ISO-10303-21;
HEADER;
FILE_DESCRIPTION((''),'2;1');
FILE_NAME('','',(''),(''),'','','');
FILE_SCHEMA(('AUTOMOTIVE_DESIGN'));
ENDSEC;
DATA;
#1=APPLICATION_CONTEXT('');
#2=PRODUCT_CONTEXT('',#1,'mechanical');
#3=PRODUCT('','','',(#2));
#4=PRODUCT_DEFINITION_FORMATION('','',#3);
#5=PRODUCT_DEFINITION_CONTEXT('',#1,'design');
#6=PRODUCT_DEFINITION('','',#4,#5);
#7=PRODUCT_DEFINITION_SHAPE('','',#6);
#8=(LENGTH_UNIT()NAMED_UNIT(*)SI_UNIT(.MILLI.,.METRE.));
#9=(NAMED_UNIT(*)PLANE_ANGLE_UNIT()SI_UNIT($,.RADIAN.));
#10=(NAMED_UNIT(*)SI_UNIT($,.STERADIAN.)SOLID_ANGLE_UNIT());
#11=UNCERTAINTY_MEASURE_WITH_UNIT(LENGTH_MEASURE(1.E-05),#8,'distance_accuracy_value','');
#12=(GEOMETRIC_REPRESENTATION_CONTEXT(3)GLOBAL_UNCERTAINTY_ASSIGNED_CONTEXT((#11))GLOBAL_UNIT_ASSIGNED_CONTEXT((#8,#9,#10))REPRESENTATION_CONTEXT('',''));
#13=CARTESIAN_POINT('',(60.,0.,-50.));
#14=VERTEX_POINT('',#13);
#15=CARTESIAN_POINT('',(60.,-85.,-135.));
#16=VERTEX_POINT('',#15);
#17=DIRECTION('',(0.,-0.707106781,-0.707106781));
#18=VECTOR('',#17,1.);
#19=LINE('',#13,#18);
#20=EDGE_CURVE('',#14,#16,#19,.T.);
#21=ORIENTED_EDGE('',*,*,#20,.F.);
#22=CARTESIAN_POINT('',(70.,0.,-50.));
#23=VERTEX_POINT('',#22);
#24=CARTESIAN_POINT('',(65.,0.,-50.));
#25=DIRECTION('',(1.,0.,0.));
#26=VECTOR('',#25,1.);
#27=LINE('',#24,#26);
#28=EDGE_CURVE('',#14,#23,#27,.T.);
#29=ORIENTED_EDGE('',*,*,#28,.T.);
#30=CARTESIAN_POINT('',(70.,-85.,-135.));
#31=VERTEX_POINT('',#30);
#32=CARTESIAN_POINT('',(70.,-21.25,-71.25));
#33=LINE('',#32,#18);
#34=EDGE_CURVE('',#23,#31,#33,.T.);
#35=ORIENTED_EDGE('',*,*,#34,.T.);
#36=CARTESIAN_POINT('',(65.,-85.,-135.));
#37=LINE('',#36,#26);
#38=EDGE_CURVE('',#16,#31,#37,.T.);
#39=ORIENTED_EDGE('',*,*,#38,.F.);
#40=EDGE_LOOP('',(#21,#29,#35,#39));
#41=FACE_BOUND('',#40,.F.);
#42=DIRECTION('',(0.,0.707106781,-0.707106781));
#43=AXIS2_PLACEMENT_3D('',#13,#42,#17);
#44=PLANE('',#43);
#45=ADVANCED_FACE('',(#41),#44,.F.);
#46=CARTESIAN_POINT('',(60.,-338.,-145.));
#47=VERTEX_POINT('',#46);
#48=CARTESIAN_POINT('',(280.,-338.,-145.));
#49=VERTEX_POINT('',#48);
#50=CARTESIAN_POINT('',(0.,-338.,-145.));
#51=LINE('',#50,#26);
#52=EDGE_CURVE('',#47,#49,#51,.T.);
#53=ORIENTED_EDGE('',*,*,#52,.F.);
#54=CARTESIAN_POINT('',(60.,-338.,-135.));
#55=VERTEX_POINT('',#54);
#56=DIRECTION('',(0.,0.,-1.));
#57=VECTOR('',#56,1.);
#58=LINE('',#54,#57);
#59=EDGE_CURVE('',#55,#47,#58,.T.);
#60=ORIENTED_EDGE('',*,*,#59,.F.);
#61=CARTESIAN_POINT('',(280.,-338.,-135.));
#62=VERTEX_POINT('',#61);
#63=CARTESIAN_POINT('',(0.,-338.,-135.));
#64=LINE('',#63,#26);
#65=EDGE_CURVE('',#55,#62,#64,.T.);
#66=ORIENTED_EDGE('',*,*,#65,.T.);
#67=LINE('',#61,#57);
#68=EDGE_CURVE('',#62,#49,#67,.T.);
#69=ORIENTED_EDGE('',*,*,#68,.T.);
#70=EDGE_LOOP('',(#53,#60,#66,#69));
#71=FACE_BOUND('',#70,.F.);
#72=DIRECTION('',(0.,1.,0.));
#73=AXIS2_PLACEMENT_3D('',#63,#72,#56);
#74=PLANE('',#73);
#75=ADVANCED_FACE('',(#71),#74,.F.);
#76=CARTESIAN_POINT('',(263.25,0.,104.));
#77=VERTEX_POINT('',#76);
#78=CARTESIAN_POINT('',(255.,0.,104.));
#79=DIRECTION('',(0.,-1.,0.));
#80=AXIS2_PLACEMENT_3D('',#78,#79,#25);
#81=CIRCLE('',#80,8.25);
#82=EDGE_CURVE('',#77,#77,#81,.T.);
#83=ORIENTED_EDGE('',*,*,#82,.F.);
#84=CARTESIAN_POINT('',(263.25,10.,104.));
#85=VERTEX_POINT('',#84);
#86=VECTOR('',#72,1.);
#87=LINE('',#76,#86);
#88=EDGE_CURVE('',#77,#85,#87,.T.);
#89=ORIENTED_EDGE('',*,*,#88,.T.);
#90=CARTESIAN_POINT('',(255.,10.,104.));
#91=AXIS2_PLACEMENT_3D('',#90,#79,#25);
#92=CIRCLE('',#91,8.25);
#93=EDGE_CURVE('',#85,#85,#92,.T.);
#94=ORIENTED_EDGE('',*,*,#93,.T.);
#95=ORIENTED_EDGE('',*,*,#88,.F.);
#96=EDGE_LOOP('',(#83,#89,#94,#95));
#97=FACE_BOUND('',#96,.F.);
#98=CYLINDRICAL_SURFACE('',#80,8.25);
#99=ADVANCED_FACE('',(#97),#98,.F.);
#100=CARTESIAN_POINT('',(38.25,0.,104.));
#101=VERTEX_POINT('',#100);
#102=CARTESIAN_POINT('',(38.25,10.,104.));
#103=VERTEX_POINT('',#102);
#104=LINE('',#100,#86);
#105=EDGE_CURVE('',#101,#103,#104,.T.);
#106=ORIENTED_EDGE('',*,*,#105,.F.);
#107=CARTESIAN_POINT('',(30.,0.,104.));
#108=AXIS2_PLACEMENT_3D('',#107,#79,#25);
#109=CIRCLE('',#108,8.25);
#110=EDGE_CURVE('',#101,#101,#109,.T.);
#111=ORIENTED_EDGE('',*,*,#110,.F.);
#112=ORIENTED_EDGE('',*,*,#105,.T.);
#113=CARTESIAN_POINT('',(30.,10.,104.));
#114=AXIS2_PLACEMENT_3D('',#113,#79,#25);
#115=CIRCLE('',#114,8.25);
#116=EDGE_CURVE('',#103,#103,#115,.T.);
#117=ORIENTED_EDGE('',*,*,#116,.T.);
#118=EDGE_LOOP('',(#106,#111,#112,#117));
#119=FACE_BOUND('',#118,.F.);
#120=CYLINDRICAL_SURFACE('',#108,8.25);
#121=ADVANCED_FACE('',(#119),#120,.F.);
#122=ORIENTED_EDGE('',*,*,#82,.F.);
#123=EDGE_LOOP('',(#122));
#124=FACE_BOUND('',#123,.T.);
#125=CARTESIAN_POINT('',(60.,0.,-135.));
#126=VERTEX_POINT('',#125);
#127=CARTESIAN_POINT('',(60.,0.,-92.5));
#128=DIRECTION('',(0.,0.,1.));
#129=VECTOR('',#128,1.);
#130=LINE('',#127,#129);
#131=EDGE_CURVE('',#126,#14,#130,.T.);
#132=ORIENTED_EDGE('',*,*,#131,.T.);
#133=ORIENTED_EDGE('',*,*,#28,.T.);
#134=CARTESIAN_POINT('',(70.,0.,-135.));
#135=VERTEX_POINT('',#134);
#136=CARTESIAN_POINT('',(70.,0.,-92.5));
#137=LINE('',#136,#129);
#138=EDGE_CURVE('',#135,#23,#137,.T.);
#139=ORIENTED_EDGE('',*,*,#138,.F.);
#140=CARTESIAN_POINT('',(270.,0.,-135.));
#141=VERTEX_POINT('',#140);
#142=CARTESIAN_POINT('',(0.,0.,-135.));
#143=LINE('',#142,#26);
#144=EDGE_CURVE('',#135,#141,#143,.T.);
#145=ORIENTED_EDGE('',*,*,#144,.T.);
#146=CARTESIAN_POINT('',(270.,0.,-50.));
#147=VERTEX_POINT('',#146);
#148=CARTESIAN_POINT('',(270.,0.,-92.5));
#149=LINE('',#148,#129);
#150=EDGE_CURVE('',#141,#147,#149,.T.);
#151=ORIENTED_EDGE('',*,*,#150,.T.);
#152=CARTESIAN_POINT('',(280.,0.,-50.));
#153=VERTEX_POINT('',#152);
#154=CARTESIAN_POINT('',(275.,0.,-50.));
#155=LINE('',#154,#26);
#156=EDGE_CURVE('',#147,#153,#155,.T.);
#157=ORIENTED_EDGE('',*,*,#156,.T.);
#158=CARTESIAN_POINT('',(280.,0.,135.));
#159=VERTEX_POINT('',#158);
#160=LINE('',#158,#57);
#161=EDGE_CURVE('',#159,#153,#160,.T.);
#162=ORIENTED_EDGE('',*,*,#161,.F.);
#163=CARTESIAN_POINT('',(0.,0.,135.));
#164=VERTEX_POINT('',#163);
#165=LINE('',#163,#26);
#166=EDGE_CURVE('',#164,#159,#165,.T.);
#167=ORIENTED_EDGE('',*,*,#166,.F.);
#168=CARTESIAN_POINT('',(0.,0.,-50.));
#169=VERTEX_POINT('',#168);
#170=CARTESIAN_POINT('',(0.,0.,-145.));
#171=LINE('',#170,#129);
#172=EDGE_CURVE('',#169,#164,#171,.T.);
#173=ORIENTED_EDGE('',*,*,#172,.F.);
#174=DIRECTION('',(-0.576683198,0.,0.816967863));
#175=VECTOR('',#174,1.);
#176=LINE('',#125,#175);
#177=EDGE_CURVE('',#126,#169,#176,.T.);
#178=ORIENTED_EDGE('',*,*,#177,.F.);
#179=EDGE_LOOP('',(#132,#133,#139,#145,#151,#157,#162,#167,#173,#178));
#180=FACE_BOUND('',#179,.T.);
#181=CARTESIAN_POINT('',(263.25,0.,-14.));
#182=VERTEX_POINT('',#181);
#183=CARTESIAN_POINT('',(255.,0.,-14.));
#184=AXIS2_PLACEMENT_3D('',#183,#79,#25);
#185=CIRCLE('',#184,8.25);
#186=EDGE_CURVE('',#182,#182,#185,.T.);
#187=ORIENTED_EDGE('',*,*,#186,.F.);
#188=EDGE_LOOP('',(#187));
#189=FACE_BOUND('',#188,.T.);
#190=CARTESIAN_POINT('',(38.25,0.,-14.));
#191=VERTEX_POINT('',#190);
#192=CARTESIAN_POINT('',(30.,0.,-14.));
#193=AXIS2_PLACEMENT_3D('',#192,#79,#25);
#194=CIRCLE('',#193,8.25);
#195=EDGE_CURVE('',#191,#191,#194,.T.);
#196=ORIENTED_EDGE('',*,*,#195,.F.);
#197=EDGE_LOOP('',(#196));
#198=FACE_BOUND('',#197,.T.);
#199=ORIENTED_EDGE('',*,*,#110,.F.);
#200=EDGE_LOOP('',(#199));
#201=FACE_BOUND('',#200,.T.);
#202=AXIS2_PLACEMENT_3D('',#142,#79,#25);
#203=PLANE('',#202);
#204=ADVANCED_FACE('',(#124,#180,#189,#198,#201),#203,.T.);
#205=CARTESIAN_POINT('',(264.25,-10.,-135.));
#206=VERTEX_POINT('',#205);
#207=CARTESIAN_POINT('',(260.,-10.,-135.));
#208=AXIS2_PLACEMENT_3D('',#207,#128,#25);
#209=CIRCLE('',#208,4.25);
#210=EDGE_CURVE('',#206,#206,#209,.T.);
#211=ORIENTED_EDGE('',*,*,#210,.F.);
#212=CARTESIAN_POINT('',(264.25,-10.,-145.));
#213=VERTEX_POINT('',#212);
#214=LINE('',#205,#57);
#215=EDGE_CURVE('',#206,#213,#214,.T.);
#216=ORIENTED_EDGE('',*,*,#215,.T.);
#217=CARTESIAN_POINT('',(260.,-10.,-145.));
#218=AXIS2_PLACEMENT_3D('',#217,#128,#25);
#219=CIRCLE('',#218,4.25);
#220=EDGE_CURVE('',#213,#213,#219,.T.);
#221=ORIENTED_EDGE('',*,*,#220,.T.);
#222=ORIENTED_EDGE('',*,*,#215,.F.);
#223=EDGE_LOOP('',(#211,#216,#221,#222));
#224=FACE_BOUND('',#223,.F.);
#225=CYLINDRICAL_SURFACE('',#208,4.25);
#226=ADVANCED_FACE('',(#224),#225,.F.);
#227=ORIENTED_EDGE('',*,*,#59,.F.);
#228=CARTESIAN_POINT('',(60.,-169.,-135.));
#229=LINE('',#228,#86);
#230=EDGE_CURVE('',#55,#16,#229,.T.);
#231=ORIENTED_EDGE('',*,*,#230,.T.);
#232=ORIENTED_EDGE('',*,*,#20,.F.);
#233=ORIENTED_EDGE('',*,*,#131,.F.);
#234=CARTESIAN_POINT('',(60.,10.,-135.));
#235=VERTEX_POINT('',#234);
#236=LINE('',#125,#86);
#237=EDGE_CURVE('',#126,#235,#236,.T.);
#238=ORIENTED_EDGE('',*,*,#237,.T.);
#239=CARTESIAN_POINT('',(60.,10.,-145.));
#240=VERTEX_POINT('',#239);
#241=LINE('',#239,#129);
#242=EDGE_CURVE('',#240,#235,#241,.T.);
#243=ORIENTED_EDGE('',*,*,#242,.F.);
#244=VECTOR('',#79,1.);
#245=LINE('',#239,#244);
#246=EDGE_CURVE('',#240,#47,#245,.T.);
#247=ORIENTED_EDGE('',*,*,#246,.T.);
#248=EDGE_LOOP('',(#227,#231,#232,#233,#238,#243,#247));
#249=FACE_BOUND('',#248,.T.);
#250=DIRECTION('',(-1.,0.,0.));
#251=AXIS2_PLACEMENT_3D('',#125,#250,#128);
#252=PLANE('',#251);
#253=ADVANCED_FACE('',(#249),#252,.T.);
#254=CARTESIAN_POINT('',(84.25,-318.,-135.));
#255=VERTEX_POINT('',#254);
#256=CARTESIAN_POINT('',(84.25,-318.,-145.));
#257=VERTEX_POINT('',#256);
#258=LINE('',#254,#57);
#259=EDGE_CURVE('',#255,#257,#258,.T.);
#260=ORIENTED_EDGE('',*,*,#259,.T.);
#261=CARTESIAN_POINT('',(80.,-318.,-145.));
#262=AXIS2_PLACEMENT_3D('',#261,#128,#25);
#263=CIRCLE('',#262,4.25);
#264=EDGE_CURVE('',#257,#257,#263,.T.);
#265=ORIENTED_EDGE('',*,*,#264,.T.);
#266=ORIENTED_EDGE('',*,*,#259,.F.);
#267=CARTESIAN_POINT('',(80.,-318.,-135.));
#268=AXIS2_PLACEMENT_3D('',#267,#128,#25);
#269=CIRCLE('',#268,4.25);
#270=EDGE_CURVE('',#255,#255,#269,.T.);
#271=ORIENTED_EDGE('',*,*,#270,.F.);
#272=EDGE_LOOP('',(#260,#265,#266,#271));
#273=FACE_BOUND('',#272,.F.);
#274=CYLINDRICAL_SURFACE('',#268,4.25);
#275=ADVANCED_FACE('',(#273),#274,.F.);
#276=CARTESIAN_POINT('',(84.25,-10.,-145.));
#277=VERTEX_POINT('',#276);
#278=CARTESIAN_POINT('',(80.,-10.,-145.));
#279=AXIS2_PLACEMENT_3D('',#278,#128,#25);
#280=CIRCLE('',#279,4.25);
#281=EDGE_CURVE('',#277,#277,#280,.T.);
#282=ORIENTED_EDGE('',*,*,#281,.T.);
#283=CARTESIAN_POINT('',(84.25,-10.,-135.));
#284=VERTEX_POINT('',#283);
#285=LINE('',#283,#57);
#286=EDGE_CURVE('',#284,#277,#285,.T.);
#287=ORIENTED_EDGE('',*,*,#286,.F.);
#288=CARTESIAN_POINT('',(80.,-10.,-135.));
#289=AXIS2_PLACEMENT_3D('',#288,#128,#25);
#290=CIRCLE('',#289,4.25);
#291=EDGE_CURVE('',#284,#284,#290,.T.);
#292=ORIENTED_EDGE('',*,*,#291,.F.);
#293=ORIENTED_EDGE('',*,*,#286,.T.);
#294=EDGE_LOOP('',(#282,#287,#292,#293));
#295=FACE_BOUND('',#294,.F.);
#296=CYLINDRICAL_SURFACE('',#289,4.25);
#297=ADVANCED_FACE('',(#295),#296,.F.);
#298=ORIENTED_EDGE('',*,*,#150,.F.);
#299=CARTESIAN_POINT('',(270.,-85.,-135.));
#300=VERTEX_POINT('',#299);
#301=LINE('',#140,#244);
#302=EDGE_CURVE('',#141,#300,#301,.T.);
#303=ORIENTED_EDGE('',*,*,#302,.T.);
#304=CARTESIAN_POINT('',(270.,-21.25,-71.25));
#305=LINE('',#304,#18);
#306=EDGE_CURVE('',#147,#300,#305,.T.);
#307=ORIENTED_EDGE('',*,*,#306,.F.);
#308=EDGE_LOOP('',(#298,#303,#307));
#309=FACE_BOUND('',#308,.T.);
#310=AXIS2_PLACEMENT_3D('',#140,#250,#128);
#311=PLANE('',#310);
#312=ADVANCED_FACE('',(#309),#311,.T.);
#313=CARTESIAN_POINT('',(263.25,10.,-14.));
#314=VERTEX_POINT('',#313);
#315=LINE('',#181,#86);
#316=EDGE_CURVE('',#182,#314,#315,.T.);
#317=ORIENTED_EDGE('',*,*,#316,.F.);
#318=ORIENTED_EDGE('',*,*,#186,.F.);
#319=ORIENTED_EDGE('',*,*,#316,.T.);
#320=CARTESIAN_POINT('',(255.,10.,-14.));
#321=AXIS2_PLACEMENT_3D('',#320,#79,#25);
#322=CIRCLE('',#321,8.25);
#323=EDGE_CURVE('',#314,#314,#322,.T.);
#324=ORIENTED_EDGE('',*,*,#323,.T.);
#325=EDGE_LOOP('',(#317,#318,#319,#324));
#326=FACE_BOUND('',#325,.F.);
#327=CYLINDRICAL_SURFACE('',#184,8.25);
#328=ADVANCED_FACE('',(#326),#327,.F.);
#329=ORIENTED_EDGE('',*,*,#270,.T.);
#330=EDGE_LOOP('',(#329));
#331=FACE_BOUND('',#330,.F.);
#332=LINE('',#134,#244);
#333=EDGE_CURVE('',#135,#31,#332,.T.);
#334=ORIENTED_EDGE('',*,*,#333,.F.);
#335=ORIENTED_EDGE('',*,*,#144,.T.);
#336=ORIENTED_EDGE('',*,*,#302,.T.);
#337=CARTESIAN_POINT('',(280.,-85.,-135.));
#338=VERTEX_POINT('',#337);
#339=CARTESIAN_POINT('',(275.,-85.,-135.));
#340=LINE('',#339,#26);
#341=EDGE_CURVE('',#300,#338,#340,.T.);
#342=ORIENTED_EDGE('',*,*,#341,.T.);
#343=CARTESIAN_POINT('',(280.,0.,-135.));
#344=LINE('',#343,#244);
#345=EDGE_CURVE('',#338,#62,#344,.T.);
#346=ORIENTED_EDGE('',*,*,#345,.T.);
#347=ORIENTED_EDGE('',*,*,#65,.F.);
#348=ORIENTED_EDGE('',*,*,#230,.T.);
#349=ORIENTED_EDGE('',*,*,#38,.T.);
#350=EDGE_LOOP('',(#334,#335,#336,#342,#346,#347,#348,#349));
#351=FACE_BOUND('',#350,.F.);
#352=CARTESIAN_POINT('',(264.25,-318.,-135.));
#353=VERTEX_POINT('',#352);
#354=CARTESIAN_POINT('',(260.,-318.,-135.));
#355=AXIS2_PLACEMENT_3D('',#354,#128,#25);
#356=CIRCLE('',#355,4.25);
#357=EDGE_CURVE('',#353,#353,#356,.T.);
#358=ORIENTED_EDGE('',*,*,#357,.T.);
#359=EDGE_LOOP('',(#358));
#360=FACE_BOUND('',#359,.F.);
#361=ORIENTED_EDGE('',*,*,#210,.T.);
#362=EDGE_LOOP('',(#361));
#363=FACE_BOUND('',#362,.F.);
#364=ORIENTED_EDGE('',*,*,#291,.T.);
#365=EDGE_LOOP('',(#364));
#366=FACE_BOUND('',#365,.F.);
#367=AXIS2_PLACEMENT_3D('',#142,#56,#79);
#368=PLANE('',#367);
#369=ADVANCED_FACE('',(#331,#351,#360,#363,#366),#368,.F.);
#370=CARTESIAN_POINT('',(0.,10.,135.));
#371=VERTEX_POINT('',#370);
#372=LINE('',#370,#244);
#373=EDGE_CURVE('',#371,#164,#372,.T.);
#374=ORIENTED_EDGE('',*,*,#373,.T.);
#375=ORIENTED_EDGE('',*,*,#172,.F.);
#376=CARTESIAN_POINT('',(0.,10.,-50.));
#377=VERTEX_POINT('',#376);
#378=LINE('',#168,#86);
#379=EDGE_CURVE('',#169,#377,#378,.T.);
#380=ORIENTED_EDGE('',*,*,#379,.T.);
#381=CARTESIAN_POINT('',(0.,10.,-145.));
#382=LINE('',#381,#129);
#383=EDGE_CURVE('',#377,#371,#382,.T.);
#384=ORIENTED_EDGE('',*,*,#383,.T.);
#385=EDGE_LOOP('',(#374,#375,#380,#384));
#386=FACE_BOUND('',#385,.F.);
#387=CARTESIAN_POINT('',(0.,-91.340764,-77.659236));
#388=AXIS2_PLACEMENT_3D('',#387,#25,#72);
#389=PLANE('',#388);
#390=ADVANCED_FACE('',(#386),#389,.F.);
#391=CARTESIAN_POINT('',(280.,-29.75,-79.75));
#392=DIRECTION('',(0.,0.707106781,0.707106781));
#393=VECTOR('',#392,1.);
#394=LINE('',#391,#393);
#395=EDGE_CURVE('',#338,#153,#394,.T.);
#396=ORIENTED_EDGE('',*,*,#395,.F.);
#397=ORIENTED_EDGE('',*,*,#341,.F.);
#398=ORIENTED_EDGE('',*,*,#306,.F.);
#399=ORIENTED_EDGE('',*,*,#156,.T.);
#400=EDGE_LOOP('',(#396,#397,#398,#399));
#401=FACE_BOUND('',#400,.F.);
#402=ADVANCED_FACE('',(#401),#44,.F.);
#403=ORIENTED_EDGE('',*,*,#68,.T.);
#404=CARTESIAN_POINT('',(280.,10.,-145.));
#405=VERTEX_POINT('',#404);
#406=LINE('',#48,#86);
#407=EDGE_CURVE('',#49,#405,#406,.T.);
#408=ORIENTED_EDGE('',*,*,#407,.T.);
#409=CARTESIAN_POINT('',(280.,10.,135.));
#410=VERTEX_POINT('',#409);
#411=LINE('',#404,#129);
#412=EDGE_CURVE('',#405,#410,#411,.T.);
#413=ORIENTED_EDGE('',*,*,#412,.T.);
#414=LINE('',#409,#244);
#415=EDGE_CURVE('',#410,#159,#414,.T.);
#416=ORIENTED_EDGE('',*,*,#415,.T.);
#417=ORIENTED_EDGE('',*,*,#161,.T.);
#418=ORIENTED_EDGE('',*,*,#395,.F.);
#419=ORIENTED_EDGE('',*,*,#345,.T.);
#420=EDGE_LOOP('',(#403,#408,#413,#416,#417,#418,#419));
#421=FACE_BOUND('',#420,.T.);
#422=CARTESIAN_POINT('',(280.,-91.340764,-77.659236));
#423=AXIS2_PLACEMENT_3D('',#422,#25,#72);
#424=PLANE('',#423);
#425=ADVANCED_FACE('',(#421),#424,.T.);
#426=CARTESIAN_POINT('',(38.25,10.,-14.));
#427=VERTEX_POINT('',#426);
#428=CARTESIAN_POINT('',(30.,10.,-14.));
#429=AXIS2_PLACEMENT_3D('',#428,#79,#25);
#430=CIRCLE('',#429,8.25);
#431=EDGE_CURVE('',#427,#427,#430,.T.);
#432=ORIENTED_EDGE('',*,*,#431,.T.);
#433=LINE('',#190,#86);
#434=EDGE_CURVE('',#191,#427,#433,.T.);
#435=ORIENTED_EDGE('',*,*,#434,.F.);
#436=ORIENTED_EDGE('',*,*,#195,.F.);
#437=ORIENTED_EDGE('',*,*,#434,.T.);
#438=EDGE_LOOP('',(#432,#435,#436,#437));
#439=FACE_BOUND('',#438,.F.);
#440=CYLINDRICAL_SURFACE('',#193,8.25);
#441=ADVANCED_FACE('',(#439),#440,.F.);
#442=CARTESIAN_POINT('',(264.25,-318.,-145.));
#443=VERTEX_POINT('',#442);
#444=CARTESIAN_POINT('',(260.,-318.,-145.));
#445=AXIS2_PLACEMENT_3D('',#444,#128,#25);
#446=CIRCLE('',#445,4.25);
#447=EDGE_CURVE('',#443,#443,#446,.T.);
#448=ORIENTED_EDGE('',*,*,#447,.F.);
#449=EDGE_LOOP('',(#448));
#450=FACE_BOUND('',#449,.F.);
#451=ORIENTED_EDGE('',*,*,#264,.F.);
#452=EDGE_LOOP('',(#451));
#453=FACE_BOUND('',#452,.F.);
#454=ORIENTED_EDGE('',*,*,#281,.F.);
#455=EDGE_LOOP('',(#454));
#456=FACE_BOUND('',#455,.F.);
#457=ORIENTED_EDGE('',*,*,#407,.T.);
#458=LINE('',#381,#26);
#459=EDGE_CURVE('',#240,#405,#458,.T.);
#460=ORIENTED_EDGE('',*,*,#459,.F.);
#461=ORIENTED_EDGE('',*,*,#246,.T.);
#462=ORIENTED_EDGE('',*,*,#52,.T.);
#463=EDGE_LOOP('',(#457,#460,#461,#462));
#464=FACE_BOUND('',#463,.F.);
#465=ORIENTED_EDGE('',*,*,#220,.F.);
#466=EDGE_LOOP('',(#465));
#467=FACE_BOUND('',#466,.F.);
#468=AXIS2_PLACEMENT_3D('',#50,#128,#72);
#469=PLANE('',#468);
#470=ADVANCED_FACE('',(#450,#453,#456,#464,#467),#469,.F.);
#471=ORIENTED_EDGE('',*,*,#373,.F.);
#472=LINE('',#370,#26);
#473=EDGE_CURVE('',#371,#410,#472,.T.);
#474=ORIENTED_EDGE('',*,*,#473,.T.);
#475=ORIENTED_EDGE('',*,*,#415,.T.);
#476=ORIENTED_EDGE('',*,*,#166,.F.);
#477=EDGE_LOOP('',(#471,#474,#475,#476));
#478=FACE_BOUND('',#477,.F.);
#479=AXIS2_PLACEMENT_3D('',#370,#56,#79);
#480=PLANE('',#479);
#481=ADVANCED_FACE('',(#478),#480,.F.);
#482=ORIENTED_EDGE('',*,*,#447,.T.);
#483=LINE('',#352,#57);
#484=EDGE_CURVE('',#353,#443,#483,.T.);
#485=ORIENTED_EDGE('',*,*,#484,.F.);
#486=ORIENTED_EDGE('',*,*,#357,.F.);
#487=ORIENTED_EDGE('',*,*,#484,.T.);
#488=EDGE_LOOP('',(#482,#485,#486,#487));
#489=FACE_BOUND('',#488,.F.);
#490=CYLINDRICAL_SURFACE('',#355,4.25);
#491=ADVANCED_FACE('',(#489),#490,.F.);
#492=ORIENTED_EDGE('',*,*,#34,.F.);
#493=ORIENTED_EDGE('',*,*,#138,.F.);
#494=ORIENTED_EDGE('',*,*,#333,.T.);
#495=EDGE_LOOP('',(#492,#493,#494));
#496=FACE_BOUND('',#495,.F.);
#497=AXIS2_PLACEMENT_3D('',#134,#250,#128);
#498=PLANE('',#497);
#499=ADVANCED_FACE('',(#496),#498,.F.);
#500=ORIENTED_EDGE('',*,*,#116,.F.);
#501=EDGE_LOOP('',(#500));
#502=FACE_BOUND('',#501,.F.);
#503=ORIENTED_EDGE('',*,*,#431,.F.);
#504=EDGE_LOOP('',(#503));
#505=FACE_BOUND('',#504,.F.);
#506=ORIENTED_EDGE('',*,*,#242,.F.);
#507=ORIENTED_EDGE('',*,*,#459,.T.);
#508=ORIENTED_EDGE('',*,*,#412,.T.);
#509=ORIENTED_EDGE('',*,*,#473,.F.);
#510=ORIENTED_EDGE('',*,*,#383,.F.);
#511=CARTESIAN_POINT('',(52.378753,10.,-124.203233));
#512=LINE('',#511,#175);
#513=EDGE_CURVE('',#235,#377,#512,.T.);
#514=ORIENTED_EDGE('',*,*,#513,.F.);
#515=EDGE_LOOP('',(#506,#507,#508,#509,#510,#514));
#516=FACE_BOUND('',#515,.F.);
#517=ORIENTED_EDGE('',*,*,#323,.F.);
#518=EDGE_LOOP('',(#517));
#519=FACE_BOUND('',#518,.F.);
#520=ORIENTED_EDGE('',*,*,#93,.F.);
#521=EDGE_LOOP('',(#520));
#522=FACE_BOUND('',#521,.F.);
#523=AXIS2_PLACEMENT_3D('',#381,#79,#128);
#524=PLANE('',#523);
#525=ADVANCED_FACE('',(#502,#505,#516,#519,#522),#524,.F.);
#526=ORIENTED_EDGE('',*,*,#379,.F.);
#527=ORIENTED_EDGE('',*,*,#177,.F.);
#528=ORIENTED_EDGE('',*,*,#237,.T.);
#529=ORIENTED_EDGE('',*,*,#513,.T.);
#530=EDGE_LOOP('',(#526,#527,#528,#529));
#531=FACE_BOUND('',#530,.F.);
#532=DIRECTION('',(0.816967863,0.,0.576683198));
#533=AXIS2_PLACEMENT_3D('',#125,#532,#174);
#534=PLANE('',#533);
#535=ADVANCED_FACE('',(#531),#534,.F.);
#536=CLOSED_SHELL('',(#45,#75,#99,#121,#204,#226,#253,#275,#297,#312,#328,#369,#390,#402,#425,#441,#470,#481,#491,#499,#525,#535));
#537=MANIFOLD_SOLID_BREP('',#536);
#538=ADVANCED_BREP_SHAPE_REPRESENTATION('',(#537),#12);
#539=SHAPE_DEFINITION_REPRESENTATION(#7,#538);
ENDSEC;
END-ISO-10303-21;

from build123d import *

# Parameters (mm, degrees)
F1_DEPTH  = 280
F2_W      = 60
F2_H      = 338
F3_DEPTH  = 10.001
F5_DEPTH  = 10.001
F6_R      = 8.25
F7_DEPTH  = 10.001
F8_R      = 4.25
F9_DEPTH  = 10.001
F10_W     = 10
F10_H     = 85
F11_DEPTH = 85
F14_DEPTH = 220.001
F15_DEPTH = 280.001


with BuildPart() as f1:
    # F0 (on Right) → F1 (new body)
    with BuildSketch(Plane.YZ):
        Polygon((10, -145), (10, 135), (0, 135), (0, -135), (-338, -135), (-338, -145), align=None)
    extrude(amount=F1_DEPTH)

    # F2 (on face) → F3 (cut, through all)
    with BuildSketch(Plane.XY.offset(-135)):
        with Locations((30, -169)):
            Rectangle(F2_W, F2_H)
    extrude(amount=-F3_DEPTH, mode=Mode.SUBTRACT)

    # F4 (on face) → F5 (cut, through all)
    with BuildSketch(Plane.XZ):
        Polygon((60, -135), (0, -50), (0, -145), (60, -145), align=None)
    extrude(amount=-F5_DEPTH, mode=Mode.SUBTRACT)

    # F6 (on face) → F7 (cut, through all)
    with BuildSketch(Plane.XZ):
        with Locations((30, 104)):
            Circle(F6_R)
        with Locations((255, 104)):
            Circle(F6_R)
        with Locations((255, -14)):
            Circle(F6_R)
        with Locations((30, -14)):
            Circle(F6_R)
    extrude(amount=-F7_DEPTH, mode=Mode.SUBTRACT)

    # F8 (on face) → F9 (cut, through all)
    with BuildSketch(Plane.XY.offset(-135)):
        with Locations((80, -10)):
            Circle(F8_R)
        with Locations((260, -10)):
            Circle(F8_R)
        with Locations((80, -318)):
            Circle(F8_R)
        with Locations((260, -318)):
            Circle(F8_R)
    extrude(amount=-F9_DEPTH, mode=Mode.SUBTRACT)

    # F10 (on face) → F11 (join)
    with BuildSketch(Plane.XZ):
        with Locations((65, -92.5)):
            Rectangle(F10_W, F10_H)
        with Locations((275, -92.5)):
            Rectangle(F10_W, F10_H)
    extrude(amount=F11_DEPTH)

    # F13 (on face) → F14 (cut, through all)
    with BuildSketch(Plane(origin=(60, 0, 0), x_dir=(0, -1, 0), z_dir=(-1, 0, 0))):
        Polygon((85, -50), (0, -50), (85, -135), align=None)
    extrude(amount=-F14_DEPTH, mode=Mode.SUBTRACT)

    # F12 (on face) → F15 (cut, through all)
    with BuildSketch(Plane.YZ.offset(280)):
        Polygon((-85, -135), (0, -50), (-85, -50), align=None)
    extrude(amount=-F15_DEPTH, mode=Mode.SUBTRACT)


solid = f1.part
